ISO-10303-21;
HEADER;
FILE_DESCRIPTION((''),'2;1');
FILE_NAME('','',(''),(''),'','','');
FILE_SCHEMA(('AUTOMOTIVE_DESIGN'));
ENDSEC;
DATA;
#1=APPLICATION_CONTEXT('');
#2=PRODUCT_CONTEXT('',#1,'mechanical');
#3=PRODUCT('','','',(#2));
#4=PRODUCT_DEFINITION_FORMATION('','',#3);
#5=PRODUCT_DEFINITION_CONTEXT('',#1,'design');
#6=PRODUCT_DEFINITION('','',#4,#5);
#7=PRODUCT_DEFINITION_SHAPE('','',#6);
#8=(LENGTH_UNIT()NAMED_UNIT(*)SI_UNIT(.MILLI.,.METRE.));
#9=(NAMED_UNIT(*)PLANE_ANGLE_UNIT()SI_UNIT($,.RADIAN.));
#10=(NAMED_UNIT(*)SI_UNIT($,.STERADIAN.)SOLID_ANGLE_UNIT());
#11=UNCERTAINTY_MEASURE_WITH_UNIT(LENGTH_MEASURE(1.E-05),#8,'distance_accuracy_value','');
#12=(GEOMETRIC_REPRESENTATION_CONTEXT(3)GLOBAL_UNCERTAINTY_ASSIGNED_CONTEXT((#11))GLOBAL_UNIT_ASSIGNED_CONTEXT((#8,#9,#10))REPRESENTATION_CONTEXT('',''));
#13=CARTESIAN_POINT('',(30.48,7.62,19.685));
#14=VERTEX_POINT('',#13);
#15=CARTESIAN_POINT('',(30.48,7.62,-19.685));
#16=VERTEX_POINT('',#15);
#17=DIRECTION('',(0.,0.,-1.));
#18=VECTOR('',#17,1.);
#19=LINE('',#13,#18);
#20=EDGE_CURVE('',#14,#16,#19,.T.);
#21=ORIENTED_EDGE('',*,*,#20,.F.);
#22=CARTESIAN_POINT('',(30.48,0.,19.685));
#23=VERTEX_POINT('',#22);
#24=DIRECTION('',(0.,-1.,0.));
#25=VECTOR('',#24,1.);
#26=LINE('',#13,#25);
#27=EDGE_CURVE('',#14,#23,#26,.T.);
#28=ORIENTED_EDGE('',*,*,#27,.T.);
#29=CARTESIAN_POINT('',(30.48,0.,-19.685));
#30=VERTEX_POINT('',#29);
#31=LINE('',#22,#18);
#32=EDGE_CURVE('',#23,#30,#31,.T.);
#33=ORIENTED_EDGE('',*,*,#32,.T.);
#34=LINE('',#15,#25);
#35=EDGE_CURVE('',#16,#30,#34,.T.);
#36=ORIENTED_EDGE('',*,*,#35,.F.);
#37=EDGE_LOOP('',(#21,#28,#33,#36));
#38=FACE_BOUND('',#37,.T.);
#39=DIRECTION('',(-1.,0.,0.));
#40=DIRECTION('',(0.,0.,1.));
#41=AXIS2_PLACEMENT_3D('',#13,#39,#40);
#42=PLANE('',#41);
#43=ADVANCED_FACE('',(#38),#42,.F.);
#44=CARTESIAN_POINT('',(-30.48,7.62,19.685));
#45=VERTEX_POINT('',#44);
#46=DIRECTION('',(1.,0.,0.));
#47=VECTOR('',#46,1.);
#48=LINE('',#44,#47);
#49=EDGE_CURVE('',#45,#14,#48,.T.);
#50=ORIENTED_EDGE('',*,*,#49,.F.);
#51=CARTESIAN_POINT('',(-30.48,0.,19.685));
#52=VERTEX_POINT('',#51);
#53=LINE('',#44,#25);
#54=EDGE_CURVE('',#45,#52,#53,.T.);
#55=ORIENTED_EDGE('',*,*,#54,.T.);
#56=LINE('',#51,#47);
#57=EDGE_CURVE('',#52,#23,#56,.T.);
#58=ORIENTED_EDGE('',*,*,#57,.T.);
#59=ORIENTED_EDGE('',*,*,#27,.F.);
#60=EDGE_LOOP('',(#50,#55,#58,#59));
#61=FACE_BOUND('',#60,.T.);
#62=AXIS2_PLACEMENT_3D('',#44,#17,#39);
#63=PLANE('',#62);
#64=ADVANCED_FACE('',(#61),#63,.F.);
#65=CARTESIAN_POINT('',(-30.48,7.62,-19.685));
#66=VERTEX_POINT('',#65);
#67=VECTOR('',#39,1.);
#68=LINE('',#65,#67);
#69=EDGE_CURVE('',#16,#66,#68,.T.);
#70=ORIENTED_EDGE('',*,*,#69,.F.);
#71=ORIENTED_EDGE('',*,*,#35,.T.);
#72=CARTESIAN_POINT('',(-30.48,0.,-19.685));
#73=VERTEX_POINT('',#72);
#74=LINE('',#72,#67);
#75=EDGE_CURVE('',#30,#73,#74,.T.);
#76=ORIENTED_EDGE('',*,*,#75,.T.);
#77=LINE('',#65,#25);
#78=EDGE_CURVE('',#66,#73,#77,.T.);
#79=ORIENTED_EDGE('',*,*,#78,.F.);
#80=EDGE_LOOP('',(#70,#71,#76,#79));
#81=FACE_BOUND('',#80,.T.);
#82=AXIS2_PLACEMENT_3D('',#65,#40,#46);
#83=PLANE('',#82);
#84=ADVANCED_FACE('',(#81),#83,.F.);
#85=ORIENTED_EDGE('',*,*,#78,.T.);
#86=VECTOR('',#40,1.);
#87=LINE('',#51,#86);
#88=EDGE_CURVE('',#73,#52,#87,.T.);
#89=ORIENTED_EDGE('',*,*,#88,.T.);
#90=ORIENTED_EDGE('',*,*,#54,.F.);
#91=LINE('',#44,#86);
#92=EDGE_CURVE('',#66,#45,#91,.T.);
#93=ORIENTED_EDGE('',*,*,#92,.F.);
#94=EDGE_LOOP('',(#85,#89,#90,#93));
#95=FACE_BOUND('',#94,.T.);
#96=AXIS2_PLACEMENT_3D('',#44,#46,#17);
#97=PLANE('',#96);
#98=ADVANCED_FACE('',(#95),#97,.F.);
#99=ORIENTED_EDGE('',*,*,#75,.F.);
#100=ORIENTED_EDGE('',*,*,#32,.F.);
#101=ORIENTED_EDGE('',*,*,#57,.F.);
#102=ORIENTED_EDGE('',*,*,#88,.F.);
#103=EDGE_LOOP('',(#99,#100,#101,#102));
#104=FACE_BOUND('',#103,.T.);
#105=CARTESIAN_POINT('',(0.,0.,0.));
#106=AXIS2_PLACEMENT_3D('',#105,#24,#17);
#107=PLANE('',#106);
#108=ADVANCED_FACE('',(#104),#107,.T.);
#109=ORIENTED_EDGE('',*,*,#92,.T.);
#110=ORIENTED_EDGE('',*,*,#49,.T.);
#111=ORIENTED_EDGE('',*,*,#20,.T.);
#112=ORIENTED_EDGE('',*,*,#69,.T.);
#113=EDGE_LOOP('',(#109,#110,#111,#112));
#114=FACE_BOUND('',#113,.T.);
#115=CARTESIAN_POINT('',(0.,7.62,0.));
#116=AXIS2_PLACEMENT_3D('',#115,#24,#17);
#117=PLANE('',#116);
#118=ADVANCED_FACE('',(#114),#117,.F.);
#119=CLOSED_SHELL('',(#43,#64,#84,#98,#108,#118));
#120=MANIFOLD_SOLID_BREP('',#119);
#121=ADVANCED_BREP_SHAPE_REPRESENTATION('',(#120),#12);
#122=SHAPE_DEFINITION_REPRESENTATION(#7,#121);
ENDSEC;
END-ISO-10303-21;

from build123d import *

# Parameters (mm, degrees)
SKETCH1_W           = 60.96
SKETCH1_H           = 39.37
BOSS_EXTRUDE1_DEPTH = 7.62


with BuildPart() as part:
    # Sketch1 → Boss-Extrude1 (new body)
    with BuildSketch(Plane(origin=(0, 0, 0), x_dir=(1, 0, 0), z_dir=(0, 1, 0))):
        Rectangle(SKETCH1_W, SKETCH1_H)
    extrude(amount=BOSS_EXTRUDE1_DEPTH)


solid = part.part
